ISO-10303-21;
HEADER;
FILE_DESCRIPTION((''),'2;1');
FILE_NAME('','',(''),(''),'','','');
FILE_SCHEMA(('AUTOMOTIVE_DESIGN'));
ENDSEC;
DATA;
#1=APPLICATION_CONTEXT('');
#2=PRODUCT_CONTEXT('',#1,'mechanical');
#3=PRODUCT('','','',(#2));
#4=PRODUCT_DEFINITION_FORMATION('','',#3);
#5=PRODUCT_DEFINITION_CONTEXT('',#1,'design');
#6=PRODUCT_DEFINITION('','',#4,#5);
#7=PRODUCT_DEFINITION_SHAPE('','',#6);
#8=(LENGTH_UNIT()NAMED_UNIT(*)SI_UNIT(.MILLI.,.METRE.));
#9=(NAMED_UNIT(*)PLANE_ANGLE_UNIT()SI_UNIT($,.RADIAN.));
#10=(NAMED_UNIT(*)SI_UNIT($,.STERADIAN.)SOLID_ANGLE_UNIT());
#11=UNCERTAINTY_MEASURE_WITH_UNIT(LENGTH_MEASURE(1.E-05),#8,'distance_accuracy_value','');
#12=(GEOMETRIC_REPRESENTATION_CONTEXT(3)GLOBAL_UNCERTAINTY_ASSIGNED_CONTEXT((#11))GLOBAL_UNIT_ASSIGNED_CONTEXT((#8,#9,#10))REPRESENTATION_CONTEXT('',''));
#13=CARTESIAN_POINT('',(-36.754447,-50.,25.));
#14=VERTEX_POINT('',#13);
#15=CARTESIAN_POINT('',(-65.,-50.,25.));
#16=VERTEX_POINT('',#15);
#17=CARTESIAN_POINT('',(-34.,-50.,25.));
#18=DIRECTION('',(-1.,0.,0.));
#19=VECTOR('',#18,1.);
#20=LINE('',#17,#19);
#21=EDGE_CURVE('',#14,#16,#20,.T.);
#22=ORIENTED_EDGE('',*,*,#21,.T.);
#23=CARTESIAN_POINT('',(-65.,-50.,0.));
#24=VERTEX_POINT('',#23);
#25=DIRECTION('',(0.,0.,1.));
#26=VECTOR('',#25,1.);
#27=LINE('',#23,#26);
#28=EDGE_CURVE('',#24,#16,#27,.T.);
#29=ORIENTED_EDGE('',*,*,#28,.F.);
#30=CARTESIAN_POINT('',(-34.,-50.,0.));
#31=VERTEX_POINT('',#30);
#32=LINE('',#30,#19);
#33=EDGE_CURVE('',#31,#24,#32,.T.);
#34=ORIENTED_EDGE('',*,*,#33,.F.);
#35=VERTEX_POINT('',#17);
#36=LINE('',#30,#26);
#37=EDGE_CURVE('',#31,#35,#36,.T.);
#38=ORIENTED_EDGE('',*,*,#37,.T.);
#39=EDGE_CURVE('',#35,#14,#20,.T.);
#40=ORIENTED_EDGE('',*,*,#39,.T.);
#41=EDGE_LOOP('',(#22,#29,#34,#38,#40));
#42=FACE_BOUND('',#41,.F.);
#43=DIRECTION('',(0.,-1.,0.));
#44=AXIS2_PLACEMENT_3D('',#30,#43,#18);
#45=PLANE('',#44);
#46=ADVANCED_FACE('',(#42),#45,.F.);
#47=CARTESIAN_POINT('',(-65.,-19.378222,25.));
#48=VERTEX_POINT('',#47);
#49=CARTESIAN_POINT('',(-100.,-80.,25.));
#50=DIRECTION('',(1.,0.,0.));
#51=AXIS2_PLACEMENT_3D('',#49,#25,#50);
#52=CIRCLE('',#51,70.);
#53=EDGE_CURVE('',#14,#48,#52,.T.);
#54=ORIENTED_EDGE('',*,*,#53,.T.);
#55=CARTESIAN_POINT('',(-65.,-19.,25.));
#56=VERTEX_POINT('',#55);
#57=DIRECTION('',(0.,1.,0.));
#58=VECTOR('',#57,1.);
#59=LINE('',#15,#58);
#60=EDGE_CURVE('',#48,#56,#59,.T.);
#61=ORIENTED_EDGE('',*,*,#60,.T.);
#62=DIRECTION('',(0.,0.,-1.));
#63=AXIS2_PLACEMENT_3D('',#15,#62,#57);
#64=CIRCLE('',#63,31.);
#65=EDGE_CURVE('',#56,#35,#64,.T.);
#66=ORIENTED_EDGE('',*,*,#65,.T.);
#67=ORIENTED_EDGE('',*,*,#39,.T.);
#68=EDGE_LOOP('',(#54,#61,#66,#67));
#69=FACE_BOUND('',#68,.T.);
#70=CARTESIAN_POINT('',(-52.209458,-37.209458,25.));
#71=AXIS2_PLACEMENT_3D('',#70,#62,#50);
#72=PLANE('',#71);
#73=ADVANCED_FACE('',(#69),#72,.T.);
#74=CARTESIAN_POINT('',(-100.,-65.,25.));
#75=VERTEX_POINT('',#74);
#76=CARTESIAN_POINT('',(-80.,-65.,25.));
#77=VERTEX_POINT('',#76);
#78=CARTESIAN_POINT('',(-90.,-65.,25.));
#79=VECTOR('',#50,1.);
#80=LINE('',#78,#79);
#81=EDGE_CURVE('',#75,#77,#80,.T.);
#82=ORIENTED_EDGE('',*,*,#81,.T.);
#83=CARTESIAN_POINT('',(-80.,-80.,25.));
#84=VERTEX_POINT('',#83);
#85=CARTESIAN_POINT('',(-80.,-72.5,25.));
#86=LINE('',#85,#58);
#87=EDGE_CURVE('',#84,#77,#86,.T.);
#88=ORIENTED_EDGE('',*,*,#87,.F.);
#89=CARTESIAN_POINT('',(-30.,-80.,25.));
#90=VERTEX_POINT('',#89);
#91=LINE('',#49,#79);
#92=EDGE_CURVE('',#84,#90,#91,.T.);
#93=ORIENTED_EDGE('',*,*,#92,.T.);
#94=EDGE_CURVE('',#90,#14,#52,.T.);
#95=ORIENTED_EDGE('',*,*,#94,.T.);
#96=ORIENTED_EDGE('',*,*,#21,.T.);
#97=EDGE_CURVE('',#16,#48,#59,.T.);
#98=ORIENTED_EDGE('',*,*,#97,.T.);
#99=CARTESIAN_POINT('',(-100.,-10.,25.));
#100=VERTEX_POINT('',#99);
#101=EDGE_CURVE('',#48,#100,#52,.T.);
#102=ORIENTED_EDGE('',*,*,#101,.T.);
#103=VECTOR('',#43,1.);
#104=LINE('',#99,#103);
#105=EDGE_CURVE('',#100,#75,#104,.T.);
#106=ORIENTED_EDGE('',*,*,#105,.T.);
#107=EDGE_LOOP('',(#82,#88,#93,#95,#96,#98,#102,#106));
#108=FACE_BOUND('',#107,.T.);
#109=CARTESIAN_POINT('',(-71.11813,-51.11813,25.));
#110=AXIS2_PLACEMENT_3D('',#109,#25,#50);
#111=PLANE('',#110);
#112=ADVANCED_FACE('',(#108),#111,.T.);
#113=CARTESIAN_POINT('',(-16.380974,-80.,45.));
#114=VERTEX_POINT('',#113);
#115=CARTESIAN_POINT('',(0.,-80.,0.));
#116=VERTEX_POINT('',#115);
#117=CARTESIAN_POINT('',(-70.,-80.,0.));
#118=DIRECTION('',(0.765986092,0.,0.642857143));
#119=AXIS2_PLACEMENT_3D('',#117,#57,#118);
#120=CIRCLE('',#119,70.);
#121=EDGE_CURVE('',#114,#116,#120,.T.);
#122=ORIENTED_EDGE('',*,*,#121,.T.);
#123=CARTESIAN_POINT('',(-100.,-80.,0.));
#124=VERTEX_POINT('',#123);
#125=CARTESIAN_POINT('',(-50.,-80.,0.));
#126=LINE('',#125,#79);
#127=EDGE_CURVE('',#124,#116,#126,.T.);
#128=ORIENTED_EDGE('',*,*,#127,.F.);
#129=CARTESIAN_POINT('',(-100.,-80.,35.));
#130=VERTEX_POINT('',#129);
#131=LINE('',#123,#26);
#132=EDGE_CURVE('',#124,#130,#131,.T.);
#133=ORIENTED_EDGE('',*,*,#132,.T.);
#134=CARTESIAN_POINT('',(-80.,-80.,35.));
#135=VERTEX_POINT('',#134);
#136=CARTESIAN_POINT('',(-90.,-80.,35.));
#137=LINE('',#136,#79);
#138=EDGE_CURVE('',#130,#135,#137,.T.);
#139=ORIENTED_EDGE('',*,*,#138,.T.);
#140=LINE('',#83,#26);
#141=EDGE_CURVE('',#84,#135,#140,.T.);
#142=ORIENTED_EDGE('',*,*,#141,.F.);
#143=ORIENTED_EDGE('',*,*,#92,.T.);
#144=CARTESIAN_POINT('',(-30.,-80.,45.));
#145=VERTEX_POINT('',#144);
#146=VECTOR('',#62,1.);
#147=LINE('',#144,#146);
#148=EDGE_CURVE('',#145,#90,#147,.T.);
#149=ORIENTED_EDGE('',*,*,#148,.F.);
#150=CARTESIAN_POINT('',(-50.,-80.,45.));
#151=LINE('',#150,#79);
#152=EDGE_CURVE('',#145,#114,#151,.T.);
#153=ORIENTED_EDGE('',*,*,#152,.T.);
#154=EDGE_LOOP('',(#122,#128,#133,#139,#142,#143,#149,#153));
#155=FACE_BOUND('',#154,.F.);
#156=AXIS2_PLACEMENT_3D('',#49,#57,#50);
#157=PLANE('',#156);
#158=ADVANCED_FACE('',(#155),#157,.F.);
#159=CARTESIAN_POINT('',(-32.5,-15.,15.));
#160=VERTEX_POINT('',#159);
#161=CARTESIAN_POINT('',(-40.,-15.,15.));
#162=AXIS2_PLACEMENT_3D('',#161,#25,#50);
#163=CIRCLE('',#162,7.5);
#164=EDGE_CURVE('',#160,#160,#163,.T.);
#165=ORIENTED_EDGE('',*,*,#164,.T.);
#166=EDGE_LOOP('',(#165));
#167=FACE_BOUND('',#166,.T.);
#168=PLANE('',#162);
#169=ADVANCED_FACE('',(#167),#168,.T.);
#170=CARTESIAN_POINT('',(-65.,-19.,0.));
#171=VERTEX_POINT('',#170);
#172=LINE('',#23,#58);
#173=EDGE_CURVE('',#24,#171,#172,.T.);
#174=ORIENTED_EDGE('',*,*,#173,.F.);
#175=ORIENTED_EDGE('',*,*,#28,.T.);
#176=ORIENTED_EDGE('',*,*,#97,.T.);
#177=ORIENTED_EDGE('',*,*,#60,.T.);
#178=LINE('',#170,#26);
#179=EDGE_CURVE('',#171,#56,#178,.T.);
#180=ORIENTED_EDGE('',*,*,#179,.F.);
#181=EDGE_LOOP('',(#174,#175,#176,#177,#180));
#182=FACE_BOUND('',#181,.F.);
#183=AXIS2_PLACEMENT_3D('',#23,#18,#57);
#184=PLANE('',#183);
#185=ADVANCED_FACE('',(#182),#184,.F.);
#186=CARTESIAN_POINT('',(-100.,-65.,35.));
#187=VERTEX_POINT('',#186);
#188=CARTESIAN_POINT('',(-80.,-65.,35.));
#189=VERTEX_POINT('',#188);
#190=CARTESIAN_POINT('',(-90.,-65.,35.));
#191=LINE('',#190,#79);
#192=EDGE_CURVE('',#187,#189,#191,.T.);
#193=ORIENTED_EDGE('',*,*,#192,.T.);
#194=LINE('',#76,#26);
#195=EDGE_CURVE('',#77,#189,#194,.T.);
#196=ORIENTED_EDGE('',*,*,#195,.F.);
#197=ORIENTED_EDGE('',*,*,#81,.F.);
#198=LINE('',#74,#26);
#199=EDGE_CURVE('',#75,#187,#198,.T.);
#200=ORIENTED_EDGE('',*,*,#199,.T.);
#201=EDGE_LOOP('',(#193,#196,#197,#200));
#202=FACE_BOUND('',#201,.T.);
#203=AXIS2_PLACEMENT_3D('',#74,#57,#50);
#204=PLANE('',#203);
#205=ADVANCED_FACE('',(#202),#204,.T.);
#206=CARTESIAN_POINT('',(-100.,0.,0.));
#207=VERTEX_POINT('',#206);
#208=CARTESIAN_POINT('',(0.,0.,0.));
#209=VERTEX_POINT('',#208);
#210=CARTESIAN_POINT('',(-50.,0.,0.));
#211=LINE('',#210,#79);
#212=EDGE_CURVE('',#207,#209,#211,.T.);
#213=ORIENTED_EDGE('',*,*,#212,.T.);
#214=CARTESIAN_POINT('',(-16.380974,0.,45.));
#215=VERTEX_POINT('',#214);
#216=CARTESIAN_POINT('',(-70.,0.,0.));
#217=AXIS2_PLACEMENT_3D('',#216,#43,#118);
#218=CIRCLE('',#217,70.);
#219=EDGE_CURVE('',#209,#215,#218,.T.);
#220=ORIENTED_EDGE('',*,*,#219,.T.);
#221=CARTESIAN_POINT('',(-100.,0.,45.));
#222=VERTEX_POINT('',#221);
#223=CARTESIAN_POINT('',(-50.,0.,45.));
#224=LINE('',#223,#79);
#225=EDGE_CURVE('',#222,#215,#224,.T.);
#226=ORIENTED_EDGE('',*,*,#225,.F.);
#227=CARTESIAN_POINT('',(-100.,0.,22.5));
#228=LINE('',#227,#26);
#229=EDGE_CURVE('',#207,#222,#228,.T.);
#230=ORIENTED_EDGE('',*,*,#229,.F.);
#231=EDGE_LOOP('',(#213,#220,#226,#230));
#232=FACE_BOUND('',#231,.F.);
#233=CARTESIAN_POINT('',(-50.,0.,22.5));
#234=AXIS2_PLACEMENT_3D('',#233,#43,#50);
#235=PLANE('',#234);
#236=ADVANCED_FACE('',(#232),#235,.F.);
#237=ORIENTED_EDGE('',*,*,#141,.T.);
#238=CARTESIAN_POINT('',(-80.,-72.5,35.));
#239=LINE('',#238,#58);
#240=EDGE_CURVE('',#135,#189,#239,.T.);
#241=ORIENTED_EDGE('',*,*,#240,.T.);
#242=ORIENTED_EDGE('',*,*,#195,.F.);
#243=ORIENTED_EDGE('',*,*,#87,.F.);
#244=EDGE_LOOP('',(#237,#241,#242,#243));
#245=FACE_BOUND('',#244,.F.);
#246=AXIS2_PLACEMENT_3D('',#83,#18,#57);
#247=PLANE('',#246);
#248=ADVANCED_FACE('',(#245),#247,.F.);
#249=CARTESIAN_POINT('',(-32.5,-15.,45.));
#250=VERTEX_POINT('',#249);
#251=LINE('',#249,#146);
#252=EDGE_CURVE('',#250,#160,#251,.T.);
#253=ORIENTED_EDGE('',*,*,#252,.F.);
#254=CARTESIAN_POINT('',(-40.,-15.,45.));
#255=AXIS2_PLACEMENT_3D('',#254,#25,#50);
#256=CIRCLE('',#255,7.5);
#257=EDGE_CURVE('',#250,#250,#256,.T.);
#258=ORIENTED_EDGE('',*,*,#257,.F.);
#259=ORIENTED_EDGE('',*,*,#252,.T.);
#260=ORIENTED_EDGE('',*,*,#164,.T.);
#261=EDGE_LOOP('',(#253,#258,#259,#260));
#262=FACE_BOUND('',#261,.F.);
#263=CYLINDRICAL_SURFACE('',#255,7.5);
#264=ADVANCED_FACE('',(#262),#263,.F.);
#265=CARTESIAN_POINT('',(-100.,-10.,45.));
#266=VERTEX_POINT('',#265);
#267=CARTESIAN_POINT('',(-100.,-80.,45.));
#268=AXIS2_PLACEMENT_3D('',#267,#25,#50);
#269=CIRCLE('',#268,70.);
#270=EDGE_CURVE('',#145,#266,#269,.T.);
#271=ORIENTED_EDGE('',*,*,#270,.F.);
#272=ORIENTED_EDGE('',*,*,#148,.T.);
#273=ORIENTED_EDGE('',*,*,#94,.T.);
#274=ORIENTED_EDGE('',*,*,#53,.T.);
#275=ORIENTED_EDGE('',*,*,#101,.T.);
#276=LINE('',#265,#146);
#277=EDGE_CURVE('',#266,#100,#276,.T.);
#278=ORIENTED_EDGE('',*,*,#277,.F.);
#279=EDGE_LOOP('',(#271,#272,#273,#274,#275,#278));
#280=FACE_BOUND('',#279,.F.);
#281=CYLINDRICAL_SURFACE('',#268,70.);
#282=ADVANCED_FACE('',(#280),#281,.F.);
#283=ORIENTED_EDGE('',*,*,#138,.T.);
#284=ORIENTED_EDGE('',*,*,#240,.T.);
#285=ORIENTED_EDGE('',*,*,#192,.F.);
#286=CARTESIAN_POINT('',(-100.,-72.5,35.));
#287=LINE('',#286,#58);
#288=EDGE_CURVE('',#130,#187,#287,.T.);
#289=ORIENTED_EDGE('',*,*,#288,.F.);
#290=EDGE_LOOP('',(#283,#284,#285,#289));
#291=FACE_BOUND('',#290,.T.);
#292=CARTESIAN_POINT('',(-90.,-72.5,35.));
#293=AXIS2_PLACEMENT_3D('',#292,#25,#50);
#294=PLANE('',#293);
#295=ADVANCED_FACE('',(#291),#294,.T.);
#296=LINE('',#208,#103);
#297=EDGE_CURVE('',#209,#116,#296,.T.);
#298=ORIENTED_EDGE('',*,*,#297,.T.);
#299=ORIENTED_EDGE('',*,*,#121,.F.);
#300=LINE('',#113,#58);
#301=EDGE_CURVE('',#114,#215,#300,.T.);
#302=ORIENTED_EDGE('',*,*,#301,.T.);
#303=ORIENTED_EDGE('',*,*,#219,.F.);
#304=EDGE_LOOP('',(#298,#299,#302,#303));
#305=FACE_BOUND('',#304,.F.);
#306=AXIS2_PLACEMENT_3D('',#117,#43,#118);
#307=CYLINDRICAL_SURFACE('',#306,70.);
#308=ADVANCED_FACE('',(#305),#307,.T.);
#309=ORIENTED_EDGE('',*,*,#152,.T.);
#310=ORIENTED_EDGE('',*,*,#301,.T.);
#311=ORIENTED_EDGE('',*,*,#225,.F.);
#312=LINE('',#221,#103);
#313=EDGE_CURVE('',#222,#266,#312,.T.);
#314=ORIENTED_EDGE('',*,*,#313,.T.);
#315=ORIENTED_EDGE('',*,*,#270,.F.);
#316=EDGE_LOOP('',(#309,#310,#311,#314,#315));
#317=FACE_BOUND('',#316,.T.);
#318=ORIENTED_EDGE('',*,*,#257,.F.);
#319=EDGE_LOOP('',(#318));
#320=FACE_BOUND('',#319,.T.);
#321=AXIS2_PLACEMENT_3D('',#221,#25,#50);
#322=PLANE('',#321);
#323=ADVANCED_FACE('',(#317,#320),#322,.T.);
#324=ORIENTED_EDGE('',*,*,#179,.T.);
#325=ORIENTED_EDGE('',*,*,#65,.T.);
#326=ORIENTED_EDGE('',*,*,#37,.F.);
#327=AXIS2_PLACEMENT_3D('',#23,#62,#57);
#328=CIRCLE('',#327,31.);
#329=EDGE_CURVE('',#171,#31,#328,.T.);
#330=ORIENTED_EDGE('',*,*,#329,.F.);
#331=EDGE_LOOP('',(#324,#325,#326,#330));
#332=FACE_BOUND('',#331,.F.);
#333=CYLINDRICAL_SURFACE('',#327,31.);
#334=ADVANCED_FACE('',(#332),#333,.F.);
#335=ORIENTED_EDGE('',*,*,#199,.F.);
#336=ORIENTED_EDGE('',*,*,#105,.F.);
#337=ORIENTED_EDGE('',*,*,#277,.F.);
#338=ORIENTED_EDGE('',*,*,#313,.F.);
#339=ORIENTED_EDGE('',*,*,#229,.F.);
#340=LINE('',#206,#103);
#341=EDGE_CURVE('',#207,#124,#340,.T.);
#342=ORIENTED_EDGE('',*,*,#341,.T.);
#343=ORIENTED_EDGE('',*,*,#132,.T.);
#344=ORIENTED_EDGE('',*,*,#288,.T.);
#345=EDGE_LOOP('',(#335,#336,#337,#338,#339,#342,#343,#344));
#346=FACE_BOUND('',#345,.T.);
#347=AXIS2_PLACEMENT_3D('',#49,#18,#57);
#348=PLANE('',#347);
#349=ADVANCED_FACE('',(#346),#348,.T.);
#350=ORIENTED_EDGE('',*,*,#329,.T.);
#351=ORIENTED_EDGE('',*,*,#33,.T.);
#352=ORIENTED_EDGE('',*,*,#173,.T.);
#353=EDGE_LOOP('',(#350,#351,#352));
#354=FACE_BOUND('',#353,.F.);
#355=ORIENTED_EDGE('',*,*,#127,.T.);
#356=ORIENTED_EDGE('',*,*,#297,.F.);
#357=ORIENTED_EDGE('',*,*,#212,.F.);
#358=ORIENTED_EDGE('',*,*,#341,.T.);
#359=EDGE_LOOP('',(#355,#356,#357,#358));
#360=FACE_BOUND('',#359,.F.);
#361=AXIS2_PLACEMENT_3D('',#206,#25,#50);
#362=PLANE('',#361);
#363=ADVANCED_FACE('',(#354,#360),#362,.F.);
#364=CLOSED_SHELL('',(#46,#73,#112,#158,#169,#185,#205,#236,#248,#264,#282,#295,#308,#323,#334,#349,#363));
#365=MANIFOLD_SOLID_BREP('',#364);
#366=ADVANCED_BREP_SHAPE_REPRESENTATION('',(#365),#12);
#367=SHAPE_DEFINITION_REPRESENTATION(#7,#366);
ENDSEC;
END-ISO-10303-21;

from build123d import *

# Parameters (mm, degrees)
F0_W      = 100
F0_H      = 45
F1_DEPTH  = 80
F2_R      = 7.5
F3_DEPTH  = 30
F5_DEPTH  = 20
F6_W      = 20
F6_H      = 15
F7_DEPTH  = 10
F10_DEPTH = 80.001
F11_DEPTH = 25


with BuildPart() as f1:
    # F0 (on Front) → F1 (new body)
    with BuildSketch(Plane.XZ):
        with Locations((-50, 22.5)):
            Rectangle(F0_W, F0_H)
    extrude(amount=F1_DEPTH)

    # F2 (on face) → F3 (cut)
    with BuildSketch(Plane.XY.offset(45)):
        with Locations((-40, -15)):
            Circle(F2_R)
    extrude(amount=-F3_DEPTH, mode=Mode.SUBTRACT)

    # F4 (on face) → F5 (cut)
    with BuildSketch(Plane.XY.offset(45)):
        with BuildLine():
            Line((-100, -80), (-30, -80))
            ThreePointArc((-30, -80), (-50.5025253169, -30.5025253169), (-100, -10))
            Line((-100, -10), (-100, -80))
        make_face()
    extrude(amount=-F5_DEPTH, mode=Mode.SUBTRACT)

    # F6 (on face) → F7 (join)
    with BuildSketch(Plane.XY.offset(25)):
        with Locations((-90, -72.5)):
            Rectangle(F6_W, F6_H)
    extrude(amount=F7_DEPTH)

    # F9 (on face) → F10 (cut, through all)
    with BuildSketch(Plane.XZ.offset(80)):
        with BuildLine():
            ThreePointArc((-16.3809735262, 45), (-4.2226032243, 23.944395449), (0, 0))
            Line((0, 0), (0, 45))
            Line((0, 45), (-16.3809735262, 45))
        make_face()
    extrude(amount=-F10_DEPTH, mode=Mode.SUBTRACT)

    # F8 (on face) → F11 (cut)
    with BuildSketch(Plane(origin=(0, 0, 0), x_dir=(1, 0, 0), z_dir=(0, 0, -1))):
        with BuildLine():
            Line((-34, 50), (-65, 50))
            Line((-65, 50), (-65, 19))
            ThreePointArc((-65, 19), (-43.0796897832, 28.0796897832), (-34, 50))
        make_face()
    extrude(amount=-F11_DEPTH, mode=Mode.SUBTRACT)


solid = f1.part
